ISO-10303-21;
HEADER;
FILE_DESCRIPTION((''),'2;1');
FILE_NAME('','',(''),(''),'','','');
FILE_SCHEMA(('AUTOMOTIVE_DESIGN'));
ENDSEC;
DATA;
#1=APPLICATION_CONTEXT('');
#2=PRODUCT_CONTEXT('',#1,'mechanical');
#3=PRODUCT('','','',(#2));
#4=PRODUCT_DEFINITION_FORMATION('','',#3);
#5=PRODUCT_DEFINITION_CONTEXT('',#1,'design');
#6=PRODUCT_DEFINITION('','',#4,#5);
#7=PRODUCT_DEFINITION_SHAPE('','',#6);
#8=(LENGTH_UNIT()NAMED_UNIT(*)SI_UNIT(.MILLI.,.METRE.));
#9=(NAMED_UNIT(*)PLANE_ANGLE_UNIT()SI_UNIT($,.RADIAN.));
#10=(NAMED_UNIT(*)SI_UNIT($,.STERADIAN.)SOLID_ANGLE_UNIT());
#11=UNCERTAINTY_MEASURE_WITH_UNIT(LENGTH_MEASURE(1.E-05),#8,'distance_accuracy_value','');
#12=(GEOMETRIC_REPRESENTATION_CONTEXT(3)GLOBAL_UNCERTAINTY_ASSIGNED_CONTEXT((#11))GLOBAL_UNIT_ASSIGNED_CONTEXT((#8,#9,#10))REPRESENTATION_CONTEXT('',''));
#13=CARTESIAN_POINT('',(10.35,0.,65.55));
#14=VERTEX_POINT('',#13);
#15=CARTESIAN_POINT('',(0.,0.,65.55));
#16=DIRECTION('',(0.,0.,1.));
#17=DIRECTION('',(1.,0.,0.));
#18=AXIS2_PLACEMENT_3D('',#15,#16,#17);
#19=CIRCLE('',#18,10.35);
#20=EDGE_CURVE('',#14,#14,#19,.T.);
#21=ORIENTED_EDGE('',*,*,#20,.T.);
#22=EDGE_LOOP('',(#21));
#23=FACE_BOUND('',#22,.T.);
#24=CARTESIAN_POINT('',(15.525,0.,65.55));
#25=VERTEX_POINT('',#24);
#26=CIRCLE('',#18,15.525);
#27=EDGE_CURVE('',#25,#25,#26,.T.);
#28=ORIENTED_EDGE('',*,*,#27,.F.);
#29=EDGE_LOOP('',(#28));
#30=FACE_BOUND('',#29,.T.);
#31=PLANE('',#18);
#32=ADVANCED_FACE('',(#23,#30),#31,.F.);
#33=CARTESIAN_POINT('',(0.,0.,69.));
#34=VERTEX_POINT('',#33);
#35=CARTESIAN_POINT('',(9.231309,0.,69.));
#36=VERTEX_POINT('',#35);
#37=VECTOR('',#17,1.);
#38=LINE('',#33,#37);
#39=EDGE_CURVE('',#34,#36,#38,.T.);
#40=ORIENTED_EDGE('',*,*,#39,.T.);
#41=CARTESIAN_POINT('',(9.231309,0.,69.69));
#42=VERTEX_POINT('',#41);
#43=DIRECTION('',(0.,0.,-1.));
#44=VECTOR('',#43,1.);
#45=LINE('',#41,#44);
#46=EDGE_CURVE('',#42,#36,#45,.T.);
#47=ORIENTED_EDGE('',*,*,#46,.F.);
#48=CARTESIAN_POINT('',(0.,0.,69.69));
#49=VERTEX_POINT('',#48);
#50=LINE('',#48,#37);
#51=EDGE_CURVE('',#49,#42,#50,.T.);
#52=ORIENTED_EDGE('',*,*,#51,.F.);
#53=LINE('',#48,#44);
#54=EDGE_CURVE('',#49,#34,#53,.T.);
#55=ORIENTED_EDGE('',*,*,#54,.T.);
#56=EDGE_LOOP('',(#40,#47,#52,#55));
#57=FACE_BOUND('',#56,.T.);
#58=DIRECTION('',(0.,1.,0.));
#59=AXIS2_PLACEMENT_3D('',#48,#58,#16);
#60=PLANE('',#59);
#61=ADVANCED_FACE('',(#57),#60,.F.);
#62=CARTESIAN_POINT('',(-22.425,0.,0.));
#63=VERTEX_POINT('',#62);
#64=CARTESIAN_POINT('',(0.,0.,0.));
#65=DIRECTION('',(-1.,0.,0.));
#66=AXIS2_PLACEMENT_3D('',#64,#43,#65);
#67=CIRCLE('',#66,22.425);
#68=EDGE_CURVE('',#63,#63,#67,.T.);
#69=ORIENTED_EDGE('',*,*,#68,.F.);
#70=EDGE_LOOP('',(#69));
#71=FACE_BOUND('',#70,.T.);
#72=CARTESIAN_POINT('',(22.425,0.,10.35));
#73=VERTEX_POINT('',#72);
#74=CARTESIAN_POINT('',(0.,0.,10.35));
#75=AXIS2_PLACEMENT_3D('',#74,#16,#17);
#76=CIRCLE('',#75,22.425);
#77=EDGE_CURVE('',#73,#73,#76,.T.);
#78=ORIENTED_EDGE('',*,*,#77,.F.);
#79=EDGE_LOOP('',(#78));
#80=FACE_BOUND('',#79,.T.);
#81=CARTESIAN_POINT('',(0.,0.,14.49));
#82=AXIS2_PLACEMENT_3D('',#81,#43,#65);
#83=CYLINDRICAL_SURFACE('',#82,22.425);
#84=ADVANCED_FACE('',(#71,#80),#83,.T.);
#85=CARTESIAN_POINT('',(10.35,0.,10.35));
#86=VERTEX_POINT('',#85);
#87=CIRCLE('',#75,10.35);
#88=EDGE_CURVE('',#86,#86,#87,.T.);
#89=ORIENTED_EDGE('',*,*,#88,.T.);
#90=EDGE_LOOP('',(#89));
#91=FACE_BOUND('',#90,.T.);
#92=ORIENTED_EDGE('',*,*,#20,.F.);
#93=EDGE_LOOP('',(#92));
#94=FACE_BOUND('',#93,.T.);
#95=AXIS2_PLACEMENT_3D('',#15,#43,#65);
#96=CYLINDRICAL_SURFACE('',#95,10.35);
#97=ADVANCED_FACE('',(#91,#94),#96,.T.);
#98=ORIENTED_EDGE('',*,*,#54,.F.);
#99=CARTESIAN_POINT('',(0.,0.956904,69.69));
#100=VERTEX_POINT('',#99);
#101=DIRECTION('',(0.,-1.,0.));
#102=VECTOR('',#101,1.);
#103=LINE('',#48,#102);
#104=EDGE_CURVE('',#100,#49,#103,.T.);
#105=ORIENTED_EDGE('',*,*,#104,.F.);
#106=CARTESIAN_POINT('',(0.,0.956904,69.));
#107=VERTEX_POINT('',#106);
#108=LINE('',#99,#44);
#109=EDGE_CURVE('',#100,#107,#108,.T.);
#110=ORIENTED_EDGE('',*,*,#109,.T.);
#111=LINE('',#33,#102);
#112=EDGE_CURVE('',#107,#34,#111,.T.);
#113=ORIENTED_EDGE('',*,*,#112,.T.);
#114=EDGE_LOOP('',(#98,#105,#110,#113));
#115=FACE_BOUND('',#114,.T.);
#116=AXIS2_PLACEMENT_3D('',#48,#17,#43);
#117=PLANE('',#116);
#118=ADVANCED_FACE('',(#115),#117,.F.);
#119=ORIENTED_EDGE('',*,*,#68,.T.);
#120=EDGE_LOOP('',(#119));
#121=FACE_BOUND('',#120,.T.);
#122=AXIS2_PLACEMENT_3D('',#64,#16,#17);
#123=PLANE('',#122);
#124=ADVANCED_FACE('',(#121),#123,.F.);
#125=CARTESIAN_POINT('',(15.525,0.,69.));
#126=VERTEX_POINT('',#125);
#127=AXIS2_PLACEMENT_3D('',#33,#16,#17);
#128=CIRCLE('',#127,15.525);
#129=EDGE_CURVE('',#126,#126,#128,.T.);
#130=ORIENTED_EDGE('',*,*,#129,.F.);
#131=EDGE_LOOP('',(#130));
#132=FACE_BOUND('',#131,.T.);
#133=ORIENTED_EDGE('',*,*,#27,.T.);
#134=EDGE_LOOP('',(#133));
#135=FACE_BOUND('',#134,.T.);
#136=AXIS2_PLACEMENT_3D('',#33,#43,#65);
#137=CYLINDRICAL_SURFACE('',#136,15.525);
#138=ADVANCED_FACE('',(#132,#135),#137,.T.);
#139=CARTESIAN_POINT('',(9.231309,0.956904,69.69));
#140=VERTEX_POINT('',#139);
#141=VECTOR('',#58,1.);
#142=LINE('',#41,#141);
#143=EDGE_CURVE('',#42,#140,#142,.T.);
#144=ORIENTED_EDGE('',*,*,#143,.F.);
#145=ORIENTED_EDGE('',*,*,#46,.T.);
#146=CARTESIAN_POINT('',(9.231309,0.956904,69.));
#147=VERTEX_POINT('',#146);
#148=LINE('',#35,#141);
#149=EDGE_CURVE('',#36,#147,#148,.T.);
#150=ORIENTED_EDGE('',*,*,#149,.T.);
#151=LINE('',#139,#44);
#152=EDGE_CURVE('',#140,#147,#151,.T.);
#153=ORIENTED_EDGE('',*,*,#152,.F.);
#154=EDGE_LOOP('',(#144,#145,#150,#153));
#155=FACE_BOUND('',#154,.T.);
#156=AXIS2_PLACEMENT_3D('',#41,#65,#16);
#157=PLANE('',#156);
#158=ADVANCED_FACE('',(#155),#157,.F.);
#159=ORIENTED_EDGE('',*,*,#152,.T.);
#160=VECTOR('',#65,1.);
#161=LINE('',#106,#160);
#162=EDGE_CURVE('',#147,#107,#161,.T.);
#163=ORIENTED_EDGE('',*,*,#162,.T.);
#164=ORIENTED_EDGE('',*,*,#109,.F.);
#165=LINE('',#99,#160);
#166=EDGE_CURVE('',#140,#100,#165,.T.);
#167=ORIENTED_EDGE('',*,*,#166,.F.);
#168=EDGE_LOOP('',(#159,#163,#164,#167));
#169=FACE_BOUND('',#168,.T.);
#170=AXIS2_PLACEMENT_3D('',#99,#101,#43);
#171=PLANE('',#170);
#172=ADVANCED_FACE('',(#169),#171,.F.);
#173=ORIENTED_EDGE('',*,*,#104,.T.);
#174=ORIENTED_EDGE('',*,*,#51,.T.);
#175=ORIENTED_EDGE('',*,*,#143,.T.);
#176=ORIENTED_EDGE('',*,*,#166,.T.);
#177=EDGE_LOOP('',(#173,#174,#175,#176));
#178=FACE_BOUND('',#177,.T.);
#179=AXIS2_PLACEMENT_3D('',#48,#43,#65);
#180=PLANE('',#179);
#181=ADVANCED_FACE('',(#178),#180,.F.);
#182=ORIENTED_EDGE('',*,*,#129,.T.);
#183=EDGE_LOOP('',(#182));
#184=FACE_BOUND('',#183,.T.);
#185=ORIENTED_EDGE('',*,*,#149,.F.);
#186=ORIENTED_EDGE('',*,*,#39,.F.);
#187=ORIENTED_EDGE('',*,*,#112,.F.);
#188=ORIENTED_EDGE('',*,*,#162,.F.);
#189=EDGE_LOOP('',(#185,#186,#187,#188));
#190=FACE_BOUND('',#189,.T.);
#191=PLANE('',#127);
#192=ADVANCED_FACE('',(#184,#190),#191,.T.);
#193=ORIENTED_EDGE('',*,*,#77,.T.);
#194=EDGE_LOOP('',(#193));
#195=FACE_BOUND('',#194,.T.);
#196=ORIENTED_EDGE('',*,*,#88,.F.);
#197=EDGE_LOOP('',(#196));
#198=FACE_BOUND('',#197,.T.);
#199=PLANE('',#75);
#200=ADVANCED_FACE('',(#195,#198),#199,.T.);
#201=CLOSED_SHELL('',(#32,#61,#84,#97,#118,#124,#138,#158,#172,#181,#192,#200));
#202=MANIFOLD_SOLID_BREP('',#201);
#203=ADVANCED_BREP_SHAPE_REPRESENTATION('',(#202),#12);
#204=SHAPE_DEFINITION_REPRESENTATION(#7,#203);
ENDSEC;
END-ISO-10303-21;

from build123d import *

# Parameters (mm, degrees)
SKETCH_1_R          = 80
EXTRUDE_1_DEPTH     = 30
SKETCH_2_R          = 30
EXTRUDE_2_DEPTH     = 160
SKETCH_3_R          = 45
EXTRUDE_3_DEPTH     = 10
SKETCH_5_W          = 26.757416482
SKETCH_5_H          = 2.773634635
EXTRUDE_6_DEPTH     = 2
SKETCH_6_R          = 97.779490514
SKETCH_6_R_2        = 65
CUT_EXTRUDE_1_DEPTH = 42
SCALE_2_SCALE       = 0.345


with BuildPart() as part:
    # 草图1 → 凸台-拉伸1 (new body)
    with BuildSketch(Plane.XY):
        Circle(SKETCH_1_R)
    extrude(amount=EXTRUDE_1_DEPTH)

    # 草图2 → 凸台-拉伸2 (add)
    with BuildSketch(Plane.XY.offset(30)):
        Circle(SKETCH_2_R)
    extrude(amount=EXTRUDE_2_DEPTH)

    # 草图3 → 凸台-拉伸3 (add)
    with BuildSketch(Plane.XY.offset(190)):
        Circle(SKETCH_3_R)
    extrude(amount=EXTRUDE_3_DEPTH)

    # 草图5 → 凸台-拉伸6 (add)
    with BuildSketch(Plane.XY.offset(200)):
        with Locations((13.378708241, 1.386817318)):
            Rectangle(SKETCH_5_W, SKETCH_5_H)
    extrude(amount=EXTRUDE_6_DEPTH)

    # 草图6 → 切除-拉伸1 (cut)
    with BuildSketch(Plane(origin=(0, 0, 0), x_dir=(-1, 0, 0), z_dir=(0, 0, -1))):
        Circle(SKETCH_6_R)
        Circle(SKETCH_6_R_2, mode=Mode.SUBTRACT)
    extrude(amount=-CUT_EXTRUDE_1_DEPTH, mode=Mode.SUBTRACT)


with BuildPart() as part_1:
    # 缩放比例2: scaled about (0, 0, 0)
    add(part.part.scale(SCALE_2_SCALE))


solid = part_1.part
